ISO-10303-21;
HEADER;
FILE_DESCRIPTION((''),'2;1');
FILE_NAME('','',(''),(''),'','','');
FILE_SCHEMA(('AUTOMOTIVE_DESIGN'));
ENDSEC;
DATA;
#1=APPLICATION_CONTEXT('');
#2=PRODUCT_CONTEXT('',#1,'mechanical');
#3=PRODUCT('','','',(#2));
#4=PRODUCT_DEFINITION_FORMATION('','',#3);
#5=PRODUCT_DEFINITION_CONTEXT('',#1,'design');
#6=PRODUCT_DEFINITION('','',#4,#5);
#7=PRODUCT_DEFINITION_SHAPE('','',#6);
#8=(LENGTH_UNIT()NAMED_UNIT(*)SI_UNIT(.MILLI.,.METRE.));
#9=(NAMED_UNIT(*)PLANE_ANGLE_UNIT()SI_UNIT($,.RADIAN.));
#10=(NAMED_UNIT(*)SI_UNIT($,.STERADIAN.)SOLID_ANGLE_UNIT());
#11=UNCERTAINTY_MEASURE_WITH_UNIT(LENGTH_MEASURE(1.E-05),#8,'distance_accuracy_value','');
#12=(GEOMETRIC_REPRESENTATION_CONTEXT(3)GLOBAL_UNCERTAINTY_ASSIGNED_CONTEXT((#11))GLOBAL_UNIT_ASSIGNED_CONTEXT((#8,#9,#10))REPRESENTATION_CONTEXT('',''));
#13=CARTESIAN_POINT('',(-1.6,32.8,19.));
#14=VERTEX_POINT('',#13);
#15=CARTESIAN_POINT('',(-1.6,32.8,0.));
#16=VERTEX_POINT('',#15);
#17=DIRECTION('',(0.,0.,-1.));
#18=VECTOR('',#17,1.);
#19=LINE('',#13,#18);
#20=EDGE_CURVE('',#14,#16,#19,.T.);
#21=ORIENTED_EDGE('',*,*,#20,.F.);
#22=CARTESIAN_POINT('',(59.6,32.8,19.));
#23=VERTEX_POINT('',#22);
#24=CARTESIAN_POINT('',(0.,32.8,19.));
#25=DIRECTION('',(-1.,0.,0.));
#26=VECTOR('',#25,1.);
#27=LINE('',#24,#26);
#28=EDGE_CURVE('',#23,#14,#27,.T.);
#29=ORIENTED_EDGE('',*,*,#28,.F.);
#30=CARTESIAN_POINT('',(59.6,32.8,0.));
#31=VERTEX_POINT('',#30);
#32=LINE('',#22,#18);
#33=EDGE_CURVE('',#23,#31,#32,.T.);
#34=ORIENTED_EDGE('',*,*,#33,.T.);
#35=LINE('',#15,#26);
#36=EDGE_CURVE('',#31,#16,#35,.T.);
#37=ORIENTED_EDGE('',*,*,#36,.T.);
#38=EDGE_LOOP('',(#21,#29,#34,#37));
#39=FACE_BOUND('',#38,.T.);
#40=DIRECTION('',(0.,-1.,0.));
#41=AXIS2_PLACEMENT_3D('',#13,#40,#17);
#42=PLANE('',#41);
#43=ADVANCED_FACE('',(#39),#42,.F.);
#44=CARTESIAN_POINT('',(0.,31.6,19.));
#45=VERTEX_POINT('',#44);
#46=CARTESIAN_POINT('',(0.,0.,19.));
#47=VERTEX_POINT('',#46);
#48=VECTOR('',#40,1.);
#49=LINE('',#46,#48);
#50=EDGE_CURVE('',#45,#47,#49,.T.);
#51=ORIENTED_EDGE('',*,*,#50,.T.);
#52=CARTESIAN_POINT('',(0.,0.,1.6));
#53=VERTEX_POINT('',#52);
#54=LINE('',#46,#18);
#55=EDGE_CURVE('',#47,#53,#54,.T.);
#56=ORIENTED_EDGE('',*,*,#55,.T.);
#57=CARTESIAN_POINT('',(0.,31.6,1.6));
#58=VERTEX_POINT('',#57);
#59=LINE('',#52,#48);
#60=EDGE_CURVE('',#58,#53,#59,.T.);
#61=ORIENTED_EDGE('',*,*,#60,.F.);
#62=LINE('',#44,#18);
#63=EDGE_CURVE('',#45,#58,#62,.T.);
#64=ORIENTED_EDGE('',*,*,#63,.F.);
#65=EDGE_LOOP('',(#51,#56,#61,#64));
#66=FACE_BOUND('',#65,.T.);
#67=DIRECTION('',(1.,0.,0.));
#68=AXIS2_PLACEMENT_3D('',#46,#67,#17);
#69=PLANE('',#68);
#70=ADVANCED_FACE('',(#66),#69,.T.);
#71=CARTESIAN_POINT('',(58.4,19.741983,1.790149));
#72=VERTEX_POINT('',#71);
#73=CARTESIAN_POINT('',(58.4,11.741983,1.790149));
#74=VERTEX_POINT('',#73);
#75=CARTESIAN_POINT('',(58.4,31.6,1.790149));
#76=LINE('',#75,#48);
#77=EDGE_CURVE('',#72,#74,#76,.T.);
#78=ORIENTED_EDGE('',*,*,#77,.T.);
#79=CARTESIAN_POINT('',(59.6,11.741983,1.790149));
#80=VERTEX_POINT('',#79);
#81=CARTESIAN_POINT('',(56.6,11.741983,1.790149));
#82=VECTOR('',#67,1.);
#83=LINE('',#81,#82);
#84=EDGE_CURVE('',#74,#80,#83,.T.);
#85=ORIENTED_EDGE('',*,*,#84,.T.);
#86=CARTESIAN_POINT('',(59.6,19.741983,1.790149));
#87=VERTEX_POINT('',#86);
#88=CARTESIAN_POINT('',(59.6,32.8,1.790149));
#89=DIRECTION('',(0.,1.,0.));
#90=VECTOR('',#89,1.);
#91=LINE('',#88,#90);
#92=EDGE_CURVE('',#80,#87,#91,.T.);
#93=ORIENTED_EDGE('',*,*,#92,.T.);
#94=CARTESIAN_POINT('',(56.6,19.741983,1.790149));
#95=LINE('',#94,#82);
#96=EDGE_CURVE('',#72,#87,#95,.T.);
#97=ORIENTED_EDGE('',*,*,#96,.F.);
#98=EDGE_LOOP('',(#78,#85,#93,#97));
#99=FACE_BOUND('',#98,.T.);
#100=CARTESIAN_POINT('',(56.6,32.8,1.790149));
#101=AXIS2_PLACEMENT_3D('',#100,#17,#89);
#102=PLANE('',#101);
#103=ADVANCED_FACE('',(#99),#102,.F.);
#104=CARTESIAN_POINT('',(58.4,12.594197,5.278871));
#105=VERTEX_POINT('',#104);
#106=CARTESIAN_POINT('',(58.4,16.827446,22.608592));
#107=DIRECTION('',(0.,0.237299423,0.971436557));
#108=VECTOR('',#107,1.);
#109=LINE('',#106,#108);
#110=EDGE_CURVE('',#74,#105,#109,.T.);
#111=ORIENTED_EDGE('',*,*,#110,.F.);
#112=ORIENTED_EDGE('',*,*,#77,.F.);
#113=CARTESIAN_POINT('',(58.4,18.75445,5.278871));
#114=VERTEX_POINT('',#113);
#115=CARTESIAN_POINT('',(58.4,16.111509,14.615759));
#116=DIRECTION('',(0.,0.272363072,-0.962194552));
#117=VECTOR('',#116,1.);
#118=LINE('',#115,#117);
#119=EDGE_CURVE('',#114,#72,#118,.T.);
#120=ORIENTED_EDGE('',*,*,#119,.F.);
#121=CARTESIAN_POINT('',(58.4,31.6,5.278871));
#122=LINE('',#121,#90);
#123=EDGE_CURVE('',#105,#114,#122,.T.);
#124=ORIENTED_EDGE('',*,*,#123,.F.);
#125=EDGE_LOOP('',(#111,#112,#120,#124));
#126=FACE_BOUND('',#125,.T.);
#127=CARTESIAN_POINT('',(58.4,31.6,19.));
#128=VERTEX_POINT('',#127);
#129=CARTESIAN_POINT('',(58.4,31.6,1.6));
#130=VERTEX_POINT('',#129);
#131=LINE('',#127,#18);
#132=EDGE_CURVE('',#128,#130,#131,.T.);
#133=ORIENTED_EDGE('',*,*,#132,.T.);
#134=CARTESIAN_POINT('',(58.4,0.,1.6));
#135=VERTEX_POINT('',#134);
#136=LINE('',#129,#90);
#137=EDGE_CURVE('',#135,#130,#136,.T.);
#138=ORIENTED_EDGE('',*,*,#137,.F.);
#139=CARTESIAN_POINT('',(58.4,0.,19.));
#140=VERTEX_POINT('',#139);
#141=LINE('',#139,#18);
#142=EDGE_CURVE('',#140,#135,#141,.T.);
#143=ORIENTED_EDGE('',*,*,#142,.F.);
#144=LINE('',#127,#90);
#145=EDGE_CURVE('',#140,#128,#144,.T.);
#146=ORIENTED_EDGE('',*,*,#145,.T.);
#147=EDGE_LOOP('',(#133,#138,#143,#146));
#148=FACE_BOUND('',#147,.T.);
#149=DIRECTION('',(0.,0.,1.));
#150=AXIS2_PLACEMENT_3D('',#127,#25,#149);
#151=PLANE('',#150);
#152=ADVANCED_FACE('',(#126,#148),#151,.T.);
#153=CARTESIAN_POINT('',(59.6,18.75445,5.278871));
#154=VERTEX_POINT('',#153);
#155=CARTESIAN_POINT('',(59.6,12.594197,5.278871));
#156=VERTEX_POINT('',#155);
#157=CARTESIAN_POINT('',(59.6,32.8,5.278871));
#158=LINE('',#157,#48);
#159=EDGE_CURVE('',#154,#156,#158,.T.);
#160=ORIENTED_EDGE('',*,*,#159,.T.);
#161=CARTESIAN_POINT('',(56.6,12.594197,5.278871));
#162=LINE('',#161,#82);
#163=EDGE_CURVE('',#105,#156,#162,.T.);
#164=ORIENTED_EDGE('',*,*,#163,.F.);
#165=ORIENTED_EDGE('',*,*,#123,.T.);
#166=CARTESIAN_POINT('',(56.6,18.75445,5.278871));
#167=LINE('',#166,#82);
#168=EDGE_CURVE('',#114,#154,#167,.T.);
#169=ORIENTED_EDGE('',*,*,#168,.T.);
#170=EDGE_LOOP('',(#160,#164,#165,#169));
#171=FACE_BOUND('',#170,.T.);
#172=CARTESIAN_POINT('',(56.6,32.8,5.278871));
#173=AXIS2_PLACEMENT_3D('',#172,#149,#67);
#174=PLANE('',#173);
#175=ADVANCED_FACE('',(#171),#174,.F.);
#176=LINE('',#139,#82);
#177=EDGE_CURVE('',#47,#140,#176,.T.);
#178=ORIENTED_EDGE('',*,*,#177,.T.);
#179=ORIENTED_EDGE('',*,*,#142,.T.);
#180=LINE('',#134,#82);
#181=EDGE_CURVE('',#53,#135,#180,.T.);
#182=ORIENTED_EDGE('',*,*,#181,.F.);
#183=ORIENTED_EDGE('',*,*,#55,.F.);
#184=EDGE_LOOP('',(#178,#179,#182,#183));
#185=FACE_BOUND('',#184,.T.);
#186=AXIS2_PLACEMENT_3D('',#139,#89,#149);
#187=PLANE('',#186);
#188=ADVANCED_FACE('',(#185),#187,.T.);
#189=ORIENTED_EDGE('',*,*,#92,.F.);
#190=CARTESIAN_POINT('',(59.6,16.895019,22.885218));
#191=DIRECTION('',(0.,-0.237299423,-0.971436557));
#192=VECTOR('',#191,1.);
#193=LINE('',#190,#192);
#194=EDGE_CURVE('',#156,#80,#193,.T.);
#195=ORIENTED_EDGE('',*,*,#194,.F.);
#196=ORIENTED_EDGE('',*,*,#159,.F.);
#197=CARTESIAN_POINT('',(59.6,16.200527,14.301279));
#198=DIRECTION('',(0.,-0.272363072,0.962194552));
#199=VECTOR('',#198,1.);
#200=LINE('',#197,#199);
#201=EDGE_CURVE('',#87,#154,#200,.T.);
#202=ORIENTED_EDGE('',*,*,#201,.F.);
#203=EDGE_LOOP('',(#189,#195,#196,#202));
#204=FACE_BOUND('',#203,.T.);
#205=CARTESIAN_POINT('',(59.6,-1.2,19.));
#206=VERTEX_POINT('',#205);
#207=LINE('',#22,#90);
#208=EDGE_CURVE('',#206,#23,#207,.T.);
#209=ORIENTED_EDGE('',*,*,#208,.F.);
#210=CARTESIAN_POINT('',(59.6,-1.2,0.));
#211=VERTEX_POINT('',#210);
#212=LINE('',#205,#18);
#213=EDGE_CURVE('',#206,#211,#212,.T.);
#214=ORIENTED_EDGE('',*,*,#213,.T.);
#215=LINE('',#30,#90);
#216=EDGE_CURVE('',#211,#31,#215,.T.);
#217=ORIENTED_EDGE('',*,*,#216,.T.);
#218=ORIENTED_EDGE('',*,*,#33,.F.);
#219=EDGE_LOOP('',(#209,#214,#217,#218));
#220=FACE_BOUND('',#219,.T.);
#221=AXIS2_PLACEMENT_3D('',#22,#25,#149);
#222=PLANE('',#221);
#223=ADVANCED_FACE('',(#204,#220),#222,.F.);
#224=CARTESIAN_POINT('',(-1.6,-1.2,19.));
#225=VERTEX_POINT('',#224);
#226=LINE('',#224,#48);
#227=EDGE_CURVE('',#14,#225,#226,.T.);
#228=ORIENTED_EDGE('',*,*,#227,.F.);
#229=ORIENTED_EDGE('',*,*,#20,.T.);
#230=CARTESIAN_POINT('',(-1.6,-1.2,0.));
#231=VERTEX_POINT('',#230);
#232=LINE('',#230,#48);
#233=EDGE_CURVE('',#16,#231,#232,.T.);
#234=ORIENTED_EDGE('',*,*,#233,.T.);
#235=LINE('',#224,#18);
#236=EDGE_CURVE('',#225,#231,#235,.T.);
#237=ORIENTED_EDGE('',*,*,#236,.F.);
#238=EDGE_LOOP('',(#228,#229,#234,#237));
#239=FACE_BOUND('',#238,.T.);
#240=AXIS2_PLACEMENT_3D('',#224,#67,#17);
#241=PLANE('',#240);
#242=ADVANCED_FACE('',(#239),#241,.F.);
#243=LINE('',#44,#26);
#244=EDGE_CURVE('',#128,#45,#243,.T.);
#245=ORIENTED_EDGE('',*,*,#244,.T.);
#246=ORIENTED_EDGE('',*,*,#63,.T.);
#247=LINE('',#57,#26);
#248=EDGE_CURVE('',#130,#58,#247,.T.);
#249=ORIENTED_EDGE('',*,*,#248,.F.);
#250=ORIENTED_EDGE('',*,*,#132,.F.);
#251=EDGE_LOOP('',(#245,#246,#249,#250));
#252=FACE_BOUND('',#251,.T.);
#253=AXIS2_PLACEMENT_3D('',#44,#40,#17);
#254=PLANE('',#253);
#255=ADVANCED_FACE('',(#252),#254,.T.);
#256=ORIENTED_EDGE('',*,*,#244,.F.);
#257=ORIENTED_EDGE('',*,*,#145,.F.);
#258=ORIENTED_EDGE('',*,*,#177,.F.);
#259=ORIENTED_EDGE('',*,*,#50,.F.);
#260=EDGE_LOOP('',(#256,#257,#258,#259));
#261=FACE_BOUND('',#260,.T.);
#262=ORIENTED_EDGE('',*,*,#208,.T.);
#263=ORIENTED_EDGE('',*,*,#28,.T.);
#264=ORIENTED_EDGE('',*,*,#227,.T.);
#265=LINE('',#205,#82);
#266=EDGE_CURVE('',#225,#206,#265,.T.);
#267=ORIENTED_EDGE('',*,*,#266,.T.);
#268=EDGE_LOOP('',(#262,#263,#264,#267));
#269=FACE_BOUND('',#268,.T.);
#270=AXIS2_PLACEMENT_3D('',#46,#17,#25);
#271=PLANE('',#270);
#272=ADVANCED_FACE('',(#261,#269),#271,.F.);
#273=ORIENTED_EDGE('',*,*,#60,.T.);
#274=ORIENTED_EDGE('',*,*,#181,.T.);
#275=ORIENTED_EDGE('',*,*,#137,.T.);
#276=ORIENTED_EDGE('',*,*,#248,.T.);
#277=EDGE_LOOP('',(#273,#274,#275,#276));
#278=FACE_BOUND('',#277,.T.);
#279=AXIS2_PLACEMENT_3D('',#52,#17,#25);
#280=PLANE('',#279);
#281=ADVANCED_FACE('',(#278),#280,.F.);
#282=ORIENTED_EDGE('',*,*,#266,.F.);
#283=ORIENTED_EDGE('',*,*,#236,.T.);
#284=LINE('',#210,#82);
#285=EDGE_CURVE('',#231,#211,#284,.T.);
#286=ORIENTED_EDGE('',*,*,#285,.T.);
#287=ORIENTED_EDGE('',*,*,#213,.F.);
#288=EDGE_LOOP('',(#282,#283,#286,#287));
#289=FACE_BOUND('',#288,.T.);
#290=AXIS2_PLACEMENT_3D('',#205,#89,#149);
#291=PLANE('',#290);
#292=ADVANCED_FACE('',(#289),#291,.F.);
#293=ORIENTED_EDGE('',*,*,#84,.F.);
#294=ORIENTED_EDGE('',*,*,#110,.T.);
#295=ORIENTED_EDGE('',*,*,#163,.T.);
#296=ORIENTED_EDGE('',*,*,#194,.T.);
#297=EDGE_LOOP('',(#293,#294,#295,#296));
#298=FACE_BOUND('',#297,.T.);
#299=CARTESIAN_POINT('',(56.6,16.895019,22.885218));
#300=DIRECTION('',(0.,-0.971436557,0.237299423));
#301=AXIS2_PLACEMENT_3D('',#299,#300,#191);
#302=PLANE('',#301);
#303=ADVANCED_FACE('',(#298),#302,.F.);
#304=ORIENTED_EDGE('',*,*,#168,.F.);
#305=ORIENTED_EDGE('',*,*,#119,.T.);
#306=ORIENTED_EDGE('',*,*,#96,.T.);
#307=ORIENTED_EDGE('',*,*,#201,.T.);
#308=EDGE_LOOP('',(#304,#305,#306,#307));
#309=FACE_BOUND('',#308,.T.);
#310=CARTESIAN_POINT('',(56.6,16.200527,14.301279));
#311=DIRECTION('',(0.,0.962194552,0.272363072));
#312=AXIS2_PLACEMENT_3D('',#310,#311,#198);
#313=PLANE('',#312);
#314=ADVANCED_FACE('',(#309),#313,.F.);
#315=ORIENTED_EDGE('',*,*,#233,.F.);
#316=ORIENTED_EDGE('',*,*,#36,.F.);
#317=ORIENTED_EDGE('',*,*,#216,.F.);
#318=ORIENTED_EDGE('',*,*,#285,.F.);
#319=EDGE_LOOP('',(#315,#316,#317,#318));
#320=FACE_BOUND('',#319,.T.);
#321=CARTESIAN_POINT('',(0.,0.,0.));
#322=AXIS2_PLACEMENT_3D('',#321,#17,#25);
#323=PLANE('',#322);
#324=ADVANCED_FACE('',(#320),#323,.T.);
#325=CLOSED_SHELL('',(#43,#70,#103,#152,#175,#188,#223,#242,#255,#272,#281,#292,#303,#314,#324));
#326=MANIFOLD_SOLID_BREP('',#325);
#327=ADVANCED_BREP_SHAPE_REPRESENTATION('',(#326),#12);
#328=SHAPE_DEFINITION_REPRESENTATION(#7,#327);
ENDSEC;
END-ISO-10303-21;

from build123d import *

# Parameters (mm, degrees)
IZIM1_W                     = 58.4
IZIM1_H                     = 31.6
Y_KSEKLIK_EKSTR_ZYON1_DEPTH = 19
IZIM2_W                     = 58.4
IZIM2_H                     = 31.6
Y_KSEKLIK_EKSTR_ZYON2_DEPTH = 1.6
KES_EKSTR_ZYON2_START       = 59.6
KES_EKSTR_ZYON2_DEPTH       = 3


with BuildPart() as part:
    # Çizim1 → Yükseklik-Ekstrüzyon1 (new body)
    with BuildSketch(Plane.XY):
        Polygon((0, 32.8), (59.6, 32.8), (59.6, -1.2), (-1.6, -1.2), (-1.6, 32.8), align=None)
        with Locations((29.2, 15.8)):
            Rectangle(IZIM1_W, IZIM1_H, mode=Mode.SUBTRACT)
    extrude(amount=Y_KSEKLIK_EKSTR_ZYON1_DEPTH)

    # Çizim2 → Yükseklik-Ekstrüzyon2 (add)
    with BuildSketch(Plane.XY):
        with Locations((29.2, 15.8)):
            Rectangle(IZIM2_W, IZIM2_H)
    extrude(amount=Y_KSEKLIK_EKSTR_ZYON2_DEPTH)

    # Çizim3 → Kes-Ekstrüzyon2 (cut)
    with BuildSketch(Plane(origin=(0, 0, 0), x_dir=(0, 0, -1), z_dir=(1, 0, 0)).offset(KES_EKSTR_ZYON2_START)):
        Polygon((-1.790149403, 19.741982838), (-1.790149403, 11.741982838), (-5.27887078, 12.594196568), (-5.27887078, 18.754449839), align=None)
    extrude(amount=-KES_EKSTR_ZYON2_DEPTH, mode=Mode.SUBTRACT)


solid = part.part
